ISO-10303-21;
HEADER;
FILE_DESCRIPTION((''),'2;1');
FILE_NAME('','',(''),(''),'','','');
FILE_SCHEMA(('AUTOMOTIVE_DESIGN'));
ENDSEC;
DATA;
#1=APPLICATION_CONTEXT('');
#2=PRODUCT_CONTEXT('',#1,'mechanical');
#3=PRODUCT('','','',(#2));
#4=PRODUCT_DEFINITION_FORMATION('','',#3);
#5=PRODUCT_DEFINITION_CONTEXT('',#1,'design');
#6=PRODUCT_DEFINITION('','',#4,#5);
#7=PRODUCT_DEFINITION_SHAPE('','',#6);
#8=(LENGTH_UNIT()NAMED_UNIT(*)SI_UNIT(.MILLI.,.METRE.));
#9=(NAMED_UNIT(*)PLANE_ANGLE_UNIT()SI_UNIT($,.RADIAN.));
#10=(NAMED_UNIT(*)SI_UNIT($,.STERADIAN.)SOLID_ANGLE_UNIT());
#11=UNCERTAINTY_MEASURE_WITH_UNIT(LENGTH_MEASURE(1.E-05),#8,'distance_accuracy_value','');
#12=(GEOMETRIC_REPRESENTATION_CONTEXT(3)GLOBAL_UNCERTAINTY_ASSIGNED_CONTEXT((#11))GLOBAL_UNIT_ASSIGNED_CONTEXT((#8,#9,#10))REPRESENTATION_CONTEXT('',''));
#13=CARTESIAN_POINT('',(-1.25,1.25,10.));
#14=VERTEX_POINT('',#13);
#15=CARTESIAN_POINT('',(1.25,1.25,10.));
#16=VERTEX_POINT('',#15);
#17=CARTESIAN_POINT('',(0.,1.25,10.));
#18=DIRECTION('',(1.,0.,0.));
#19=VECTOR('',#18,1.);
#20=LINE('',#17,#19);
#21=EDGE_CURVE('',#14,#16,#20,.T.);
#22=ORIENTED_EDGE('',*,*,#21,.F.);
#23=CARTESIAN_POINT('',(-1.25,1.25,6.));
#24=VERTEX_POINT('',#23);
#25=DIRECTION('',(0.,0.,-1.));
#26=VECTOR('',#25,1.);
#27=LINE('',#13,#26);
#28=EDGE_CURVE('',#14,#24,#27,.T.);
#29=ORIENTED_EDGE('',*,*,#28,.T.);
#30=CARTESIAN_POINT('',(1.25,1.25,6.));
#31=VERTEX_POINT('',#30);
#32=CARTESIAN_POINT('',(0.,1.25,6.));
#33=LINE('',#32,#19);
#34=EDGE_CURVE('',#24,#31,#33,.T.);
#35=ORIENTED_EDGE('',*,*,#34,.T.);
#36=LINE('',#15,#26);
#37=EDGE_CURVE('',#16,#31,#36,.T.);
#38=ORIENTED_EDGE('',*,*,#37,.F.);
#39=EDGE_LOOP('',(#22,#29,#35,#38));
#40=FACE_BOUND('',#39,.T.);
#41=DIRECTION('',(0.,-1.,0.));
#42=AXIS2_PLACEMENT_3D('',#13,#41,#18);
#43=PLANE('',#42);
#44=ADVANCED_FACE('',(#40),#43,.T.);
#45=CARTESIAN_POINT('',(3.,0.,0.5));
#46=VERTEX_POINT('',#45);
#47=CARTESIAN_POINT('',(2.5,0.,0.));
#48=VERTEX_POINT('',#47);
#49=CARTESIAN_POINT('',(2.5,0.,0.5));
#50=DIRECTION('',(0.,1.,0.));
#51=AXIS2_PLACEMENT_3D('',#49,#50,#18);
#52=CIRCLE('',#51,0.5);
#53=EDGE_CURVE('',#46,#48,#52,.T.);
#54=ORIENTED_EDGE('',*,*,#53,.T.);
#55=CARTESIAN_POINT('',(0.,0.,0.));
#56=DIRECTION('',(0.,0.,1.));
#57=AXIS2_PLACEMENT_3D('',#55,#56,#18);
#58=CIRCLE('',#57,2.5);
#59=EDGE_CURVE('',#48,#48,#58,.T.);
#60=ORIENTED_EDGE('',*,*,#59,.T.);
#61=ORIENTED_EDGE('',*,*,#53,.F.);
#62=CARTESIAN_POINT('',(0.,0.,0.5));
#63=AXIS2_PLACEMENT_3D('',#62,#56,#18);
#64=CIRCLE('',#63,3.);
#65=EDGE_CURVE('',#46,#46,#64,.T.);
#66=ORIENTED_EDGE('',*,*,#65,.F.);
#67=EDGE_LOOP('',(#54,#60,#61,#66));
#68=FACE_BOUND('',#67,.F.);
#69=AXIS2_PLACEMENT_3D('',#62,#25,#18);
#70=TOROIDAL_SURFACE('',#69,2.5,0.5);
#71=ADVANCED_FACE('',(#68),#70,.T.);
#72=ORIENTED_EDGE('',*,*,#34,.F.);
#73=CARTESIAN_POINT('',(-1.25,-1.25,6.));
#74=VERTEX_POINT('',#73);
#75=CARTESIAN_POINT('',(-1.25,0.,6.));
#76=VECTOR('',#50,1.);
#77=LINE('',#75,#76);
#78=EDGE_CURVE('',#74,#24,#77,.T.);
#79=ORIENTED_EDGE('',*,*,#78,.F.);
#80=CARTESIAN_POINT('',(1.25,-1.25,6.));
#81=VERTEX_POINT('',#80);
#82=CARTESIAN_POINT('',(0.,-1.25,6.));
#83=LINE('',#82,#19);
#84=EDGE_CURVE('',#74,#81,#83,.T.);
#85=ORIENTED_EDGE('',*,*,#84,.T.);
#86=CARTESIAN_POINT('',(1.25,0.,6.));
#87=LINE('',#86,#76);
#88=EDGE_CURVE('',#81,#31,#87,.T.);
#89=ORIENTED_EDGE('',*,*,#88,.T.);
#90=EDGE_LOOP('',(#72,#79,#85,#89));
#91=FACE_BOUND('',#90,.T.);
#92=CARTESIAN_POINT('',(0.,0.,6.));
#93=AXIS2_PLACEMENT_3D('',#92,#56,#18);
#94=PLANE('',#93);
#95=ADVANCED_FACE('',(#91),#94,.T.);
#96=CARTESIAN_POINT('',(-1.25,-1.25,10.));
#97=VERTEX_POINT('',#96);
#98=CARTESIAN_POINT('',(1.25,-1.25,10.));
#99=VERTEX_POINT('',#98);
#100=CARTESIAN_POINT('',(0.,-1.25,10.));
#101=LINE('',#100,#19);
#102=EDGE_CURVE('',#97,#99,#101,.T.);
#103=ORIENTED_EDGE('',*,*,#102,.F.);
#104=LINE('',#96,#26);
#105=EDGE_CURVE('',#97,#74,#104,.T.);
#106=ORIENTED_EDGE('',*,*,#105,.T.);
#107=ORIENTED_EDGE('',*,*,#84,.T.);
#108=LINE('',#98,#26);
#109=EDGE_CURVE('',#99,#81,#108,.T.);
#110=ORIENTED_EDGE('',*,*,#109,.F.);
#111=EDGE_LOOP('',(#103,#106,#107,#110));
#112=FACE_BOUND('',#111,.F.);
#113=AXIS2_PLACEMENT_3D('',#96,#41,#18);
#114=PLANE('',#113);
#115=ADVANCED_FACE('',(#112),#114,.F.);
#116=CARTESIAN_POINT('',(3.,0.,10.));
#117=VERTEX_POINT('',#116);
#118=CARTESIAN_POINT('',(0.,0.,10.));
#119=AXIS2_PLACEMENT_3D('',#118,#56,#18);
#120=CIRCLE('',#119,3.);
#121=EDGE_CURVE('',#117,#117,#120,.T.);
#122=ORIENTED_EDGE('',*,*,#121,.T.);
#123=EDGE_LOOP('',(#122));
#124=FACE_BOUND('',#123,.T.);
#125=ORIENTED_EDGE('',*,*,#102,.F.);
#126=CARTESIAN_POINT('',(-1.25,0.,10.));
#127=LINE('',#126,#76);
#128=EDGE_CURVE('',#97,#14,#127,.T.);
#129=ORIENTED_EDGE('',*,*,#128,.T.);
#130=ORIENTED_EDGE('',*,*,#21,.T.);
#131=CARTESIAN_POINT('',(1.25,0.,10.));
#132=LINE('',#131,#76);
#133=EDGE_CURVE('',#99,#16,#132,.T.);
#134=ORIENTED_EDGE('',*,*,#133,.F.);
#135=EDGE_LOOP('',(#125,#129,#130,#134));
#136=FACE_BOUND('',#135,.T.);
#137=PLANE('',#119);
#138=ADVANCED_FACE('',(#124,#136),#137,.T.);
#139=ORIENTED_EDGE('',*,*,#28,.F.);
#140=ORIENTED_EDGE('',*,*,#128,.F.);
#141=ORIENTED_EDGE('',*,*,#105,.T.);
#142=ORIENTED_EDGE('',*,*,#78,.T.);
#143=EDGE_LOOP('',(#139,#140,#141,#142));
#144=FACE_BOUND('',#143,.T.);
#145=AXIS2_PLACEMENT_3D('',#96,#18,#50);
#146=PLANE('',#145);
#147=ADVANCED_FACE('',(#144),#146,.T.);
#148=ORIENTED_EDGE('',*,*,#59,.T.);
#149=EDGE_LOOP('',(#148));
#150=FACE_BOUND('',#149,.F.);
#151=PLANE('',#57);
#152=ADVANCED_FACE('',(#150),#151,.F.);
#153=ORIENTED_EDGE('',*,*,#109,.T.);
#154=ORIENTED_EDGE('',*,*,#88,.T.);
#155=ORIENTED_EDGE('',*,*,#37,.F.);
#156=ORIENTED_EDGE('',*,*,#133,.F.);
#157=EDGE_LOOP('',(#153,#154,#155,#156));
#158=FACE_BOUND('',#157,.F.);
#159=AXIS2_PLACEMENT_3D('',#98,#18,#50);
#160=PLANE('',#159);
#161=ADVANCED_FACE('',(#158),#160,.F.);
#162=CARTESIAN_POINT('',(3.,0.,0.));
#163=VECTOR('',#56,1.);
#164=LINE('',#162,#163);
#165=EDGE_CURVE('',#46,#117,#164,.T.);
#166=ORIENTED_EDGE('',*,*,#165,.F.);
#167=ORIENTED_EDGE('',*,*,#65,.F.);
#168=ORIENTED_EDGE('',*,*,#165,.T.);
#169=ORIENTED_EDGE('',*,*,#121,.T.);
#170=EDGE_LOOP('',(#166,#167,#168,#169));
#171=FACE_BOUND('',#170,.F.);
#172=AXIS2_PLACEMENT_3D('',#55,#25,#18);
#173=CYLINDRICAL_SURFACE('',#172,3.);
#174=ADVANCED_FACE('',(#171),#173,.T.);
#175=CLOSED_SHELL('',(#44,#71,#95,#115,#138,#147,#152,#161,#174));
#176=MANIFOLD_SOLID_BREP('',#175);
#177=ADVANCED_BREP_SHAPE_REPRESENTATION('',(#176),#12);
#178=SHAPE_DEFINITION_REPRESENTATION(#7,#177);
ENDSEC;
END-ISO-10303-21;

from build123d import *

# Parameters (mm, degrees)
SKETCH_R     = 3
PAD_DEPTH    = 10
SKETCH001_W  = 2.5
SKETCH001_H  = 2.5
POCKET_DEPTH = 4
FILLET_R     = 0.5


with BuildPart() as part:
    # Sketch → Pad (new body)
    with BuildSketch(Plane.XY):
        Circle(SKETCH_R)
    extrude(amount=PAD_DEPTH)

    # Sketch001 (on Face3 of Pad) → Pocket (cut)
    with BuildSketch(Plane.XY.offset(10)):
        Rectangle(SKETCH001_W, SKETCH001_H)
    extrude(amount=-POCKET_DEPTH, mode=Mode.SUBTRACT)

    # Fillet
    fillet_edges = [part.edges().sort_by_distance(p)[0] for p in [
        (-3, 0, 0),
    ]]
    fillet(fillet_edges, radius=FILLET_R)


solid = part.part
